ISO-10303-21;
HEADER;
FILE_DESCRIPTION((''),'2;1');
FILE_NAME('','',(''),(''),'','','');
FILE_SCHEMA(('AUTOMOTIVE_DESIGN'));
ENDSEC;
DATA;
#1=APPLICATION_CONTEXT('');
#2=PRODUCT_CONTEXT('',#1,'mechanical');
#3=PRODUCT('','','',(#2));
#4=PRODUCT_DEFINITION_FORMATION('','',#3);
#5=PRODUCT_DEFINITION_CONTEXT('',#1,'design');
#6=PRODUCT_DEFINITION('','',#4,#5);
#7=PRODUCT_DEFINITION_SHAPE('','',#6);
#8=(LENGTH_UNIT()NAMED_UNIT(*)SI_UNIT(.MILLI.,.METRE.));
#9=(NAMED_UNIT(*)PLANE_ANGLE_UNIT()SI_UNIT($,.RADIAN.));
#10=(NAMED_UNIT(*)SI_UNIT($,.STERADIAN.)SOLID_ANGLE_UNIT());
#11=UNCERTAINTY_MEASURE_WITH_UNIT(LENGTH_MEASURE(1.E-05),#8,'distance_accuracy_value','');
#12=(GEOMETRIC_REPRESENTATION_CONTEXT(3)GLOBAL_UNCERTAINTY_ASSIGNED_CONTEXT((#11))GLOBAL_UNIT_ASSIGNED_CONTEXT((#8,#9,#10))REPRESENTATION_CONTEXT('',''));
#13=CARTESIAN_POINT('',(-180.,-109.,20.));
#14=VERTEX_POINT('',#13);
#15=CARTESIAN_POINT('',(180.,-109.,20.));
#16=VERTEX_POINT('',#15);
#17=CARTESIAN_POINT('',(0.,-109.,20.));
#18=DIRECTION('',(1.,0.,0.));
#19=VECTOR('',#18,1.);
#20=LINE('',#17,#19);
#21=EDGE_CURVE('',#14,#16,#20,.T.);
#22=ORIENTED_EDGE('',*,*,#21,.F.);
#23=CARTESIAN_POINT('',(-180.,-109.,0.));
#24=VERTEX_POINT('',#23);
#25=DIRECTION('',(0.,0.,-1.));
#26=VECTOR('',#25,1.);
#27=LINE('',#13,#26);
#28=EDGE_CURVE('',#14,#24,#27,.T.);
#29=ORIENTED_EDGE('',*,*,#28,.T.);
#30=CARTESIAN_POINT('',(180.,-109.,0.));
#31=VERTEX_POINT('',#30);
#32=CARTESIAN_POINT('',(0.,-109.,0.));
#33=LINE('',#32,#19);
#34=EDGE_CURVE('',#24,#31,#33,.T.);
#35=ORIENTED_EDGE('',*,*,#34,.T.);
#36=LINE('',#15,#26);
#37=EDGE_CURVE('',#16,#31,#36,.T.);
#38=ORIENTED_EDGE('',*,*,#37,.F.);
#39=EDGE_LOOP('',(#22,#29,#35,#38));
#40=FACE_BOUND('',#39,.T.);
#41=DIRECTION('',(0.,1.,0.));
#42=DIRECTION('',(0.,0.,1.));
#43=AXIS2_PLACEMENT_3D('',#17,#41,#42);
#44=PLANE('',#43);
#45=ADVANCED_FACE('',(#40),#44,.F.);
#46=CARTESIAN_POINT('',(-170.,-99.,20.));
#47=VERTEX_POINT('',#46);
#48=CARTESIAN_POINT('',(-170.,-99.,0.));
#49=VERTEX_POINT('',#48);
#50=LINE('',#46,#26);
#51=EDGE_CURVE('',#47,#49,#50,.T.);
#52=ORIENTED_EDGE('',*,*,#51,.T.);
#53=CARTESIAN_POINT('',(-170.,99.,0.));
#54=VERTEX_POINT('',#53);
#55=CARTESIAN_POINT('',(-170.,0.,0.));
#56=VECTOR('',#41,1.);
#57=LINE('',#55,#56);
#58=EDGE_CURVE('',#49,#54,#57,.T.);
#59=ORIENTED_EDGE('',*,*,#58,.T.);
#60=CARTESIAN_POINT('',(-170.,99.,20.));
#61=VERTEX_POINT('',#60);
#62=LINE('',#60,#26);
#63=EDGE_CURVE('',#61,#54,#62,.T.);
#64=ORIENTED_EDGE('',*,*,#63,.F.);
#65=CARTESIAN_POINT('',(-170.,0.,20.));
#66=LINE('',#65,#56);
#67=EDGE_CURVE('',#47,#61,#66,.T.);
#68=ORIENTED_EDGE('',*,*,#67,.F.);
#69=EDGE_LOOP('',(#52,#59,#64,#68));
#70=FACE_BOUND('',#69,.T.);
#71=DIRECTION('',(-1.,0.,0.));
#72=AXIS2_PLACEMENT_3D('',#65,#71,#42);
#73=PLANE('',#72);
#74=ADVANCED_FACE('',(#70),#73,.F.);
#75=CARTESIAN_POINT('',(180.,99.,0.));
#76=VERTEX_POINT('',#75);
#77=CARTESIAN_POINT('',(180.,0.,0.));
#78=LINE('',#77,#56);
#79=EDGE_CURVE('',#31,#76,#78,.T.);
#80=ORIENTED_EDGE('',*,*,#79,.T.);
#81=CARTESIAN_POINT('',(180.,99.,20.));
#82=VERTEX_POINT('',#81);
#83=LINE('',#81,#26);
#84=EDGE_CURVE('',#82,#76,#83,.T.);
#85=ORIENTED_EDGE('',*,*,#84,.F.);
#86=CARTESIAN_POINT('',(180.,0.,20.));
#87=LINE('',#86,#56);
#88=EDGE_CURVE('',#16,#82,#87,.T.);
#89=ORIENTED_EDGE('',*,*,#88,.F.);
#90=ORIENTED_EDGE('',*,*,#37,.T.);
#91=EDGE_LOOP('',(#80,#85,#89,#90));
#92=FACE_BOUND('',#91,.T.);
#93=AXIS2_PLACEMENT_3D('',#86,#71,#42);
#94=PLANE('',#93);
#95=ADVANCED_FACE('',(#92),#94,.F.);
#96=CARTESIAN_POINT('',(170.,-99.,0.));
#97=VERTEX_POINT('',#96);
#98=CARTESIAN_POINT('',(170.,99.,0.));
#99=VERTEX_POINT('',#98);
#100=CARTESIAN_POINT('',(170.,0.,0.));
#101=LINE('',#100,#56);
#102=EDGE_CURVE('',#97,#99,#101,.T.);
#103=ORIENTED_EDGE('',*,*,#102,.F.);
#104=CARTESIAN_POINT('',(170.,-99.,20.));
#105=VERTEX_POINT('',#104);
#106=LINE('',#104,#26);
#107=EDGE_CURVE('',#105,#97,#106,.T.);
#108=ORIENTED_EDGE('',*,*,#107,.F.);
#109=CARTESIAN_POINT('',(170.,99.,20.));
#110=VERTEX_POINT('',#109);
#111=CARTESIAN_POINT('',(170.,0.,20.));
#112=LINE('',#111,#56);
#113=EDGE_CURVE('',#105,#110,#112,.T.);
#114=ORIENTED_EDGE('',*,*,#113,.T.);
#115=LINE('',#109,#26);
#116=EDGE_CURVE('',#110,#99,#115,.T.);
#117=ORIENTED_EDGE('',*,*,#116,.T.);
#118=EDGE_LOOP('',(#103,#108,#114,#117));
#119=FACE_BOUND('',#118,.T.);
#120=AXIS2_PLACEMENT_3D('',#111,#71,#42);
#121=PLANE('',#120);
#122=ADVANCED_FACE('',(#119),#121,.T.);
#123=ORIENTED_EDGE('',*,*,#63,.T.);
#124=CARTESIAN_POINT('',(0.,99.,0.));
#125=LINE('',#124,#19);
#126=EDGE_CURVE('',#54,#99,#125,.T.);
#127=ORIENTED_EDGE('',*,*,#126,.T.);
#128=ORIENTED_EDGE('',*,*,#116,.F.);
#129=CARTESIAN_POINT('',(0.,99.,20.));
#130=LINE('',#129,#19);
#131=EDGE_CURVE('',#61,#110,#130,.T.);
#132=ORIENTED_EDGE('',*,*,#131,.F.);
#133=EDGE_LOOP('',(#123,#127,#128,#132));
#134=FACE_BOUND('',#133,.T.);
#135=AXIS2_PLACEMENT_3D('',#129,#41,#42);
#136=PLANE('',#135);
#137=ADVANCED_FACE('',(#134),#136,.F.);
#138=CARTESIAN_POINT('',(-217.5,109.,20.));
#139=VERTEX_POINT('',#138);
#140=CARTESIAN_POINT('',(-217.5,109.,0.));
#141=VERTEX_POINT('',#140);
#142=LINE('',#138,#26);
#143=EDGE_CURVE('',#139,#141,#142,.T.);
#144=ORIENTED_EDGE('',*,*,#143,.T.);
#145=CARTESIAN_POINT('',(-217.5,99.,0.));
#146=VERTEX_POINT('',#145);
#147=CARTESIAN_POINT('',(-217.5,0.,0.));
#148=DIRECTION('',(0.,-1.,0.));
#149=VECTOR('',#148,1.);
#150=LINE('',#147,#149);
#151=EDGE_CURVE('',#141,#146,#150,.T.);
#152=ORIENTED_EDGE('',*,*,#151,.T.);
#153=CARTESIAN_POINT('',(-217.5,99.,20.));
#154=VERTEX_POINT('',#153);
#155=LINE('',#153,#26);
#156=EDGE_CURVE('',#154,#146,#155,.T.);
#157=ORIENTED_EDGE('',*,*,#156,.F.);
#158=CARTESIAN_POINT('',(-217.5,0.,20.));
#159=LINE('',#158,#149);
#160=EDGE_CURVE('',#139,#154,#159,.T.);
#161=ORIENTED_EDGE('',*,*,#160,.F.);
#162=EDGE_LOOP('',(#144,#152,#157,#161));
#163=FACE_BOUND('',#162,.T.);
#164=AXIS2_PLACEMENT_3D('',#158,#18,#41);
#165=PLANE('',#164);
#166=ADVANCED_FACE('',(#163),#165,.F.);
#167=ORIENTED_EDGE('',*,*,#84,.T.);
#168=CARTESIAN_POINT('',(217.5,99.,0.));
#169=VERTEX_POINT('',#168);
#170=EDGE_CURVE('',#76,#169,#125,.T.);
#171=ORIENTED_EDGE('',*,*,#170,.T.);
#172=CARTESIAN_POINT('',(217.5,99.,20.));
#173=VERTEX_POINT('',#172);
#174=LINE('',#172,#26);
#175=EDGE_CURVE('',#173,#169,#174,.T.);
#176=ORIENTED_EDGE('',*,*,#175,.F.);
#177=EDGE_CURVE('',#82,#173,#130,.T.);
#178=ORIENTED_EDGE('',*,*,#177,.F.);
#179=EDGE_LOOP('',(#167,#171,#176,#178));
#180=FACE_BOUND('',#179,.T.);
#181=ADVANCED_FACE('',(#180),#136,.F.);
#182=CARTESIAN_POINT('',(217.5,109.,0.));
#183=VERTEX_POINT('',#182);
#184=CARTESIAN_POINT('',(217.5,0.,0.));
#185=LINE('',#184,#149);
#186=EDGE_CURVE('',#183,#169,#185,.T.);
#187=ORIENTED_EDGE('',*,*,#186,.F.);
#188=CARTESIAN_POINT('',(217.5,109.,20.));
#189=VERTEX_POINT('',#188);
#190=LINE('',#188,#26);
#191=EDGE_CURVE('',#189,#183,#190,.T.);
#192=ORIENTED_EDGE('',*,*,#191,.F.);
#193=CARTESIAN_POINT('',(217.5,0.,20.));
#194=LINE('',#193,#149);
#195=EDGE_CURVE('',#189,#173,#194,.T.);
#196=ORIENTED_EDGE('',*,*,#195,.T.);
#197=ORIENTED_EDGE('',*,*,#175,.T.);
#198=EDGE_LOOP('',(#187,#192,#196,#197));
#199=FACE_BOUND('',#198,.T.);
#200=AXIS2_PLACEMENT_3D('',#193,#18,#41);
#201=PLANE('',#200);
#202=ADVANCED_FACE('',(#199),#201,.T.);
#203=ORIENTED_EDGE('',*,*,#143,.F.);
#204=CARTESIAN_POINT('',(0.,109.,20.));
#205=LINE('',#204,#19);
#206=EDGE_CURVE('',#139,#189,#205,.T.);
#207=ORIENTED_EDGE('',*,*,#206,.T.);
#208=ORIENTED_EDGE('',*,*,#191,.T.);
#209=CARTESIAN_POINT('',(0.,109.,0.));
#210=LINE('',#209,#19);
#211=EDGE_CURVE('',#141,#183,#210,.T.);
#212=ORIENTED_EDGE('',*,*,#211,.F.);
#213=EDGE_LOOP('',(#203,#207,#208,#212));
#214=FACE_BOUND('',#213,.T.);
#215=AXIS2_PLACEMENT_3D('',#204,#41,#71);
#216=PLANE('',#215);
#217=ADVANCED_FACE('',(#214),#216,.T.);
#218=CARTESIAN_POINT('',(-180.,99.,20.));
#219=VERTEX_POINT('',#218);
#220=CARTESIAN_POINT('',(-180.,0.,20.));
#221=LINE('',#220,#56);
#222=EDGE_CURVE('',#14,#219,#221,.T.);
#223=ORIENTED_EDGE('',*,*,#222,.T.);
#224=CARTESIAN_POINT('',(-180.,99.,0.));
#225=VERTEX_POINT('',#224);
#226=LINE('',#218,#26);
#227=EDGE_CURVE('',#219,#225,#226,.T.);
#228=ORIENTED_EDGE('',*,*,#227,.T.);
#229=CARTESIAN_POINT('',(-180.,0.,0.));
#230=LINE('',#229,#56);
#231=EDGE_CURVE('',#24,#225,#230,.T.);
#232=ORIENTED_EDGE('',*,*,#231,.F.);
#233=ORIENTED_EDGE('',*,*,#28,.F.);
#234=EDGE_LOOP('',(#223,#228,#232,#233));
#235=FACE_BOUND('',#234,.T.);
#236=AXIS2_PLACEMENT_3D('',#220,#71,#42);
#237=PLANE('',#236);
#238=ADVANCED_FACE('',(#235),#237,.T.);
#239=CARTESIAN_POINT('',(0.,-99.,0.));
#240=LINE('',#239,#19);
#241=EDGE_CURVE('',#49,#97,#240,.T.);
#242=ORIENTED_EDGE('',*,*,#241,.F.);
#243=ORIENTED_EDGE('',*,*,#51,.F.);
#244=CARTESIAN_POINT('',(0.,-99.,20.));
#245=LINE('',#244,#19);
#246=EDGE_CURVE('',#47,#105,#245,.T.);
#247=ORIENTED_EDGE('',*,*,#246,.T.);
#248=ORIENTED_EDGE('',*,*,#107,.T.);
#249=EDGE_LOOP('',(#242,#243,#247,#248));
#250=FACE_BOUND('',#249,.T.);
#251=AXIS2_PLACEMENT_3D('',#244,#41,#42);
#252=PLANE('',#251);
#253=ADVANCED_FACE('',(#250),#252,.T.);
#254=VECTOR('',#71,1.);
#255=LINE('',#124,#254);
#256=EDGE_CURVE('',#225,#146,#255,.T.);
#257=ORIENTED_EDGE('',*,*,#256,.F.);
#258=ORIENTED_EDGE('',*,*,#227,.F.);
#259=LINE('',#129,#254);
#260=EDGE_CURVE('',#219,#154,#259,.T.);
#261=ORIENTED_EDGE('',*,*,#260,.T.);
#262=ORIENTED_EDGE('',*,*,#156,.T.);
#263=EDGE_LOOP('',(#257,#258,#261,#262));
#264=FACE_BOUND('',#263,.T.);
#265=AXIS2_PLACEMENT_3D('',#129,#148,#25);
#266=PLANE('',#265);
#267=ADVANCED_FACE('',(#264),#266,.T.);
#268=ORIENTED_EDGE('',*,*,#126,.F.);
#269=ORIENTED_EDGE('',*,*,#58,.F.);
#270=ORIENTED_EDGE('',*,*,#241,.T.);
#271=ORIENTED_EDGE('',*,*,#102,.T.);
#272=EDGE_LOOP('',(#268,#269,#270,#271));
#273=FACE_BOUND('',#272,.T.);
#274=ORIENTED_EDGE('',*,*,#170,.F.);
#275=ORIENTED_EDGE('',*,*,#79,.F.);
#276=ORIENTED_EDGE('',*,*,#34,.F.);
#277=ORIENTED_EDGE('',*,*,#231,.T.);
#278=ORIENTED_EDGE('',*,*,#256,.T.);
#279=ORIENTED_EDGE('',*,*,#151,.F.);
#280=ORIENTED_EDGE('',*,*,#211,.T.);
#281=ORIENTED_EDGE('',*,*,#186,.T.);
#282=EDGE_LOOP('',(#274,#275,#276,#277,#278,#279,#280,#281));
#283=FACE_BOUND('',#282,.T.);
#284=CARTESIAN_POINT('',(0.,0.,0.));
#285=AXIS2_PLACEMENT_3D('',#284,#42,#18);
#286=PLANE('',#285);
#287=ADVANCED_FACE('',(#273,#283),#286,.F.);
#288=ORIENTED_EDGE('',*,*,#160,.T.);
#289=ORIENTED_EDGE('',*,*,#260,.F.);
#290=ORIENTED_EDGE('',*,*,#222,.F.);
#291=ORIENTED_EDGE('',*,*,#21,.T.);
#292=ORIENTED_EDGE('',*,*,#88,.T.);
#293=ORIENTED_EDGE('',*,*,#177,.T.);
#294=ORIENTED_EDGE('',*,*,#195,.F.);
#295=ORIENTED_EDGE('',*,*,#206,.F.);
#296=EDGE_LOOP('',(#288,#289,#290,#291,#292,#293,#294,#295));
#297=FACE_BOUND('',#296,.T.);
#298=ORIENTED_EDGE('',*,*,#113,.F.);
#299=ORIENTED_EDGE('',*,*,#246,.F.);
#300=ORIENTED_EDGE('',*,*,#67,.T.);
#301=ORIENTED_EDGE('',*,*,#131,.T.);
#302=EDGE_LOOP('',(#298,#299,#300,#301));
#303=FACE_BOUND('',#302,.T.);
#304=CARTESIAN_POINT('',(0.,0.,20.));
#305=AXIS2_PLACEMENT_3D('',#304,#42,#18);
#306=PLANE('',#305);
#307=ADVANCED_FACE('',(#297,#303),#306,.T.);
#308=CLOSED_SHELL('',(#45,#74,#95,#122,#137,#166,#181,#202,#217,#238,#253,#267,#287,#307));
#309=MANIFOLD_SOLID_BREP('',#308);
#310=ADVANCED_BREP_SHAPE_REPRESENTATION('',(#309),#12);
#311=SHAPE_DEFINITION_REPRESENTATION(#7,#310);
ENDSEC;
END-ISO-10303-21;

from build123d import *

# Parameters (mm, degrees)
SKETCH1_W           = 360
SKETCH1_H           = 218
SKETCH1_W_2         = 340
SKETCH1_H_2         = 198
SKETCH1_W_3         = 37.5
SKETCH1_H_3         = 10
BOSS_EXTRUDE1_DEPTH = 20


with BuildPart() as part:
    # Sketch1 → Boss-Extrude1 (new body)
    with BuildSketch(Plane.XY):
        Rectangle(SKETCH1_W, SKETCH1_H)
        Rectangle(SKETCH1_W_2, SKETCH1_H_2, mode=Mode.SUBTRACT)
        with Locations((-198.75, 104)):
            Rectangle(SKETCH1_W_3, SKETCH1_H_3)
        with Locations((198.75, 104)):
            Rectangle(SKETCH1_W_3, SKETCH1_H_3)
    extrude(amount=BOSS_EXTRUDE1_DEPTH)


solid = part.part
